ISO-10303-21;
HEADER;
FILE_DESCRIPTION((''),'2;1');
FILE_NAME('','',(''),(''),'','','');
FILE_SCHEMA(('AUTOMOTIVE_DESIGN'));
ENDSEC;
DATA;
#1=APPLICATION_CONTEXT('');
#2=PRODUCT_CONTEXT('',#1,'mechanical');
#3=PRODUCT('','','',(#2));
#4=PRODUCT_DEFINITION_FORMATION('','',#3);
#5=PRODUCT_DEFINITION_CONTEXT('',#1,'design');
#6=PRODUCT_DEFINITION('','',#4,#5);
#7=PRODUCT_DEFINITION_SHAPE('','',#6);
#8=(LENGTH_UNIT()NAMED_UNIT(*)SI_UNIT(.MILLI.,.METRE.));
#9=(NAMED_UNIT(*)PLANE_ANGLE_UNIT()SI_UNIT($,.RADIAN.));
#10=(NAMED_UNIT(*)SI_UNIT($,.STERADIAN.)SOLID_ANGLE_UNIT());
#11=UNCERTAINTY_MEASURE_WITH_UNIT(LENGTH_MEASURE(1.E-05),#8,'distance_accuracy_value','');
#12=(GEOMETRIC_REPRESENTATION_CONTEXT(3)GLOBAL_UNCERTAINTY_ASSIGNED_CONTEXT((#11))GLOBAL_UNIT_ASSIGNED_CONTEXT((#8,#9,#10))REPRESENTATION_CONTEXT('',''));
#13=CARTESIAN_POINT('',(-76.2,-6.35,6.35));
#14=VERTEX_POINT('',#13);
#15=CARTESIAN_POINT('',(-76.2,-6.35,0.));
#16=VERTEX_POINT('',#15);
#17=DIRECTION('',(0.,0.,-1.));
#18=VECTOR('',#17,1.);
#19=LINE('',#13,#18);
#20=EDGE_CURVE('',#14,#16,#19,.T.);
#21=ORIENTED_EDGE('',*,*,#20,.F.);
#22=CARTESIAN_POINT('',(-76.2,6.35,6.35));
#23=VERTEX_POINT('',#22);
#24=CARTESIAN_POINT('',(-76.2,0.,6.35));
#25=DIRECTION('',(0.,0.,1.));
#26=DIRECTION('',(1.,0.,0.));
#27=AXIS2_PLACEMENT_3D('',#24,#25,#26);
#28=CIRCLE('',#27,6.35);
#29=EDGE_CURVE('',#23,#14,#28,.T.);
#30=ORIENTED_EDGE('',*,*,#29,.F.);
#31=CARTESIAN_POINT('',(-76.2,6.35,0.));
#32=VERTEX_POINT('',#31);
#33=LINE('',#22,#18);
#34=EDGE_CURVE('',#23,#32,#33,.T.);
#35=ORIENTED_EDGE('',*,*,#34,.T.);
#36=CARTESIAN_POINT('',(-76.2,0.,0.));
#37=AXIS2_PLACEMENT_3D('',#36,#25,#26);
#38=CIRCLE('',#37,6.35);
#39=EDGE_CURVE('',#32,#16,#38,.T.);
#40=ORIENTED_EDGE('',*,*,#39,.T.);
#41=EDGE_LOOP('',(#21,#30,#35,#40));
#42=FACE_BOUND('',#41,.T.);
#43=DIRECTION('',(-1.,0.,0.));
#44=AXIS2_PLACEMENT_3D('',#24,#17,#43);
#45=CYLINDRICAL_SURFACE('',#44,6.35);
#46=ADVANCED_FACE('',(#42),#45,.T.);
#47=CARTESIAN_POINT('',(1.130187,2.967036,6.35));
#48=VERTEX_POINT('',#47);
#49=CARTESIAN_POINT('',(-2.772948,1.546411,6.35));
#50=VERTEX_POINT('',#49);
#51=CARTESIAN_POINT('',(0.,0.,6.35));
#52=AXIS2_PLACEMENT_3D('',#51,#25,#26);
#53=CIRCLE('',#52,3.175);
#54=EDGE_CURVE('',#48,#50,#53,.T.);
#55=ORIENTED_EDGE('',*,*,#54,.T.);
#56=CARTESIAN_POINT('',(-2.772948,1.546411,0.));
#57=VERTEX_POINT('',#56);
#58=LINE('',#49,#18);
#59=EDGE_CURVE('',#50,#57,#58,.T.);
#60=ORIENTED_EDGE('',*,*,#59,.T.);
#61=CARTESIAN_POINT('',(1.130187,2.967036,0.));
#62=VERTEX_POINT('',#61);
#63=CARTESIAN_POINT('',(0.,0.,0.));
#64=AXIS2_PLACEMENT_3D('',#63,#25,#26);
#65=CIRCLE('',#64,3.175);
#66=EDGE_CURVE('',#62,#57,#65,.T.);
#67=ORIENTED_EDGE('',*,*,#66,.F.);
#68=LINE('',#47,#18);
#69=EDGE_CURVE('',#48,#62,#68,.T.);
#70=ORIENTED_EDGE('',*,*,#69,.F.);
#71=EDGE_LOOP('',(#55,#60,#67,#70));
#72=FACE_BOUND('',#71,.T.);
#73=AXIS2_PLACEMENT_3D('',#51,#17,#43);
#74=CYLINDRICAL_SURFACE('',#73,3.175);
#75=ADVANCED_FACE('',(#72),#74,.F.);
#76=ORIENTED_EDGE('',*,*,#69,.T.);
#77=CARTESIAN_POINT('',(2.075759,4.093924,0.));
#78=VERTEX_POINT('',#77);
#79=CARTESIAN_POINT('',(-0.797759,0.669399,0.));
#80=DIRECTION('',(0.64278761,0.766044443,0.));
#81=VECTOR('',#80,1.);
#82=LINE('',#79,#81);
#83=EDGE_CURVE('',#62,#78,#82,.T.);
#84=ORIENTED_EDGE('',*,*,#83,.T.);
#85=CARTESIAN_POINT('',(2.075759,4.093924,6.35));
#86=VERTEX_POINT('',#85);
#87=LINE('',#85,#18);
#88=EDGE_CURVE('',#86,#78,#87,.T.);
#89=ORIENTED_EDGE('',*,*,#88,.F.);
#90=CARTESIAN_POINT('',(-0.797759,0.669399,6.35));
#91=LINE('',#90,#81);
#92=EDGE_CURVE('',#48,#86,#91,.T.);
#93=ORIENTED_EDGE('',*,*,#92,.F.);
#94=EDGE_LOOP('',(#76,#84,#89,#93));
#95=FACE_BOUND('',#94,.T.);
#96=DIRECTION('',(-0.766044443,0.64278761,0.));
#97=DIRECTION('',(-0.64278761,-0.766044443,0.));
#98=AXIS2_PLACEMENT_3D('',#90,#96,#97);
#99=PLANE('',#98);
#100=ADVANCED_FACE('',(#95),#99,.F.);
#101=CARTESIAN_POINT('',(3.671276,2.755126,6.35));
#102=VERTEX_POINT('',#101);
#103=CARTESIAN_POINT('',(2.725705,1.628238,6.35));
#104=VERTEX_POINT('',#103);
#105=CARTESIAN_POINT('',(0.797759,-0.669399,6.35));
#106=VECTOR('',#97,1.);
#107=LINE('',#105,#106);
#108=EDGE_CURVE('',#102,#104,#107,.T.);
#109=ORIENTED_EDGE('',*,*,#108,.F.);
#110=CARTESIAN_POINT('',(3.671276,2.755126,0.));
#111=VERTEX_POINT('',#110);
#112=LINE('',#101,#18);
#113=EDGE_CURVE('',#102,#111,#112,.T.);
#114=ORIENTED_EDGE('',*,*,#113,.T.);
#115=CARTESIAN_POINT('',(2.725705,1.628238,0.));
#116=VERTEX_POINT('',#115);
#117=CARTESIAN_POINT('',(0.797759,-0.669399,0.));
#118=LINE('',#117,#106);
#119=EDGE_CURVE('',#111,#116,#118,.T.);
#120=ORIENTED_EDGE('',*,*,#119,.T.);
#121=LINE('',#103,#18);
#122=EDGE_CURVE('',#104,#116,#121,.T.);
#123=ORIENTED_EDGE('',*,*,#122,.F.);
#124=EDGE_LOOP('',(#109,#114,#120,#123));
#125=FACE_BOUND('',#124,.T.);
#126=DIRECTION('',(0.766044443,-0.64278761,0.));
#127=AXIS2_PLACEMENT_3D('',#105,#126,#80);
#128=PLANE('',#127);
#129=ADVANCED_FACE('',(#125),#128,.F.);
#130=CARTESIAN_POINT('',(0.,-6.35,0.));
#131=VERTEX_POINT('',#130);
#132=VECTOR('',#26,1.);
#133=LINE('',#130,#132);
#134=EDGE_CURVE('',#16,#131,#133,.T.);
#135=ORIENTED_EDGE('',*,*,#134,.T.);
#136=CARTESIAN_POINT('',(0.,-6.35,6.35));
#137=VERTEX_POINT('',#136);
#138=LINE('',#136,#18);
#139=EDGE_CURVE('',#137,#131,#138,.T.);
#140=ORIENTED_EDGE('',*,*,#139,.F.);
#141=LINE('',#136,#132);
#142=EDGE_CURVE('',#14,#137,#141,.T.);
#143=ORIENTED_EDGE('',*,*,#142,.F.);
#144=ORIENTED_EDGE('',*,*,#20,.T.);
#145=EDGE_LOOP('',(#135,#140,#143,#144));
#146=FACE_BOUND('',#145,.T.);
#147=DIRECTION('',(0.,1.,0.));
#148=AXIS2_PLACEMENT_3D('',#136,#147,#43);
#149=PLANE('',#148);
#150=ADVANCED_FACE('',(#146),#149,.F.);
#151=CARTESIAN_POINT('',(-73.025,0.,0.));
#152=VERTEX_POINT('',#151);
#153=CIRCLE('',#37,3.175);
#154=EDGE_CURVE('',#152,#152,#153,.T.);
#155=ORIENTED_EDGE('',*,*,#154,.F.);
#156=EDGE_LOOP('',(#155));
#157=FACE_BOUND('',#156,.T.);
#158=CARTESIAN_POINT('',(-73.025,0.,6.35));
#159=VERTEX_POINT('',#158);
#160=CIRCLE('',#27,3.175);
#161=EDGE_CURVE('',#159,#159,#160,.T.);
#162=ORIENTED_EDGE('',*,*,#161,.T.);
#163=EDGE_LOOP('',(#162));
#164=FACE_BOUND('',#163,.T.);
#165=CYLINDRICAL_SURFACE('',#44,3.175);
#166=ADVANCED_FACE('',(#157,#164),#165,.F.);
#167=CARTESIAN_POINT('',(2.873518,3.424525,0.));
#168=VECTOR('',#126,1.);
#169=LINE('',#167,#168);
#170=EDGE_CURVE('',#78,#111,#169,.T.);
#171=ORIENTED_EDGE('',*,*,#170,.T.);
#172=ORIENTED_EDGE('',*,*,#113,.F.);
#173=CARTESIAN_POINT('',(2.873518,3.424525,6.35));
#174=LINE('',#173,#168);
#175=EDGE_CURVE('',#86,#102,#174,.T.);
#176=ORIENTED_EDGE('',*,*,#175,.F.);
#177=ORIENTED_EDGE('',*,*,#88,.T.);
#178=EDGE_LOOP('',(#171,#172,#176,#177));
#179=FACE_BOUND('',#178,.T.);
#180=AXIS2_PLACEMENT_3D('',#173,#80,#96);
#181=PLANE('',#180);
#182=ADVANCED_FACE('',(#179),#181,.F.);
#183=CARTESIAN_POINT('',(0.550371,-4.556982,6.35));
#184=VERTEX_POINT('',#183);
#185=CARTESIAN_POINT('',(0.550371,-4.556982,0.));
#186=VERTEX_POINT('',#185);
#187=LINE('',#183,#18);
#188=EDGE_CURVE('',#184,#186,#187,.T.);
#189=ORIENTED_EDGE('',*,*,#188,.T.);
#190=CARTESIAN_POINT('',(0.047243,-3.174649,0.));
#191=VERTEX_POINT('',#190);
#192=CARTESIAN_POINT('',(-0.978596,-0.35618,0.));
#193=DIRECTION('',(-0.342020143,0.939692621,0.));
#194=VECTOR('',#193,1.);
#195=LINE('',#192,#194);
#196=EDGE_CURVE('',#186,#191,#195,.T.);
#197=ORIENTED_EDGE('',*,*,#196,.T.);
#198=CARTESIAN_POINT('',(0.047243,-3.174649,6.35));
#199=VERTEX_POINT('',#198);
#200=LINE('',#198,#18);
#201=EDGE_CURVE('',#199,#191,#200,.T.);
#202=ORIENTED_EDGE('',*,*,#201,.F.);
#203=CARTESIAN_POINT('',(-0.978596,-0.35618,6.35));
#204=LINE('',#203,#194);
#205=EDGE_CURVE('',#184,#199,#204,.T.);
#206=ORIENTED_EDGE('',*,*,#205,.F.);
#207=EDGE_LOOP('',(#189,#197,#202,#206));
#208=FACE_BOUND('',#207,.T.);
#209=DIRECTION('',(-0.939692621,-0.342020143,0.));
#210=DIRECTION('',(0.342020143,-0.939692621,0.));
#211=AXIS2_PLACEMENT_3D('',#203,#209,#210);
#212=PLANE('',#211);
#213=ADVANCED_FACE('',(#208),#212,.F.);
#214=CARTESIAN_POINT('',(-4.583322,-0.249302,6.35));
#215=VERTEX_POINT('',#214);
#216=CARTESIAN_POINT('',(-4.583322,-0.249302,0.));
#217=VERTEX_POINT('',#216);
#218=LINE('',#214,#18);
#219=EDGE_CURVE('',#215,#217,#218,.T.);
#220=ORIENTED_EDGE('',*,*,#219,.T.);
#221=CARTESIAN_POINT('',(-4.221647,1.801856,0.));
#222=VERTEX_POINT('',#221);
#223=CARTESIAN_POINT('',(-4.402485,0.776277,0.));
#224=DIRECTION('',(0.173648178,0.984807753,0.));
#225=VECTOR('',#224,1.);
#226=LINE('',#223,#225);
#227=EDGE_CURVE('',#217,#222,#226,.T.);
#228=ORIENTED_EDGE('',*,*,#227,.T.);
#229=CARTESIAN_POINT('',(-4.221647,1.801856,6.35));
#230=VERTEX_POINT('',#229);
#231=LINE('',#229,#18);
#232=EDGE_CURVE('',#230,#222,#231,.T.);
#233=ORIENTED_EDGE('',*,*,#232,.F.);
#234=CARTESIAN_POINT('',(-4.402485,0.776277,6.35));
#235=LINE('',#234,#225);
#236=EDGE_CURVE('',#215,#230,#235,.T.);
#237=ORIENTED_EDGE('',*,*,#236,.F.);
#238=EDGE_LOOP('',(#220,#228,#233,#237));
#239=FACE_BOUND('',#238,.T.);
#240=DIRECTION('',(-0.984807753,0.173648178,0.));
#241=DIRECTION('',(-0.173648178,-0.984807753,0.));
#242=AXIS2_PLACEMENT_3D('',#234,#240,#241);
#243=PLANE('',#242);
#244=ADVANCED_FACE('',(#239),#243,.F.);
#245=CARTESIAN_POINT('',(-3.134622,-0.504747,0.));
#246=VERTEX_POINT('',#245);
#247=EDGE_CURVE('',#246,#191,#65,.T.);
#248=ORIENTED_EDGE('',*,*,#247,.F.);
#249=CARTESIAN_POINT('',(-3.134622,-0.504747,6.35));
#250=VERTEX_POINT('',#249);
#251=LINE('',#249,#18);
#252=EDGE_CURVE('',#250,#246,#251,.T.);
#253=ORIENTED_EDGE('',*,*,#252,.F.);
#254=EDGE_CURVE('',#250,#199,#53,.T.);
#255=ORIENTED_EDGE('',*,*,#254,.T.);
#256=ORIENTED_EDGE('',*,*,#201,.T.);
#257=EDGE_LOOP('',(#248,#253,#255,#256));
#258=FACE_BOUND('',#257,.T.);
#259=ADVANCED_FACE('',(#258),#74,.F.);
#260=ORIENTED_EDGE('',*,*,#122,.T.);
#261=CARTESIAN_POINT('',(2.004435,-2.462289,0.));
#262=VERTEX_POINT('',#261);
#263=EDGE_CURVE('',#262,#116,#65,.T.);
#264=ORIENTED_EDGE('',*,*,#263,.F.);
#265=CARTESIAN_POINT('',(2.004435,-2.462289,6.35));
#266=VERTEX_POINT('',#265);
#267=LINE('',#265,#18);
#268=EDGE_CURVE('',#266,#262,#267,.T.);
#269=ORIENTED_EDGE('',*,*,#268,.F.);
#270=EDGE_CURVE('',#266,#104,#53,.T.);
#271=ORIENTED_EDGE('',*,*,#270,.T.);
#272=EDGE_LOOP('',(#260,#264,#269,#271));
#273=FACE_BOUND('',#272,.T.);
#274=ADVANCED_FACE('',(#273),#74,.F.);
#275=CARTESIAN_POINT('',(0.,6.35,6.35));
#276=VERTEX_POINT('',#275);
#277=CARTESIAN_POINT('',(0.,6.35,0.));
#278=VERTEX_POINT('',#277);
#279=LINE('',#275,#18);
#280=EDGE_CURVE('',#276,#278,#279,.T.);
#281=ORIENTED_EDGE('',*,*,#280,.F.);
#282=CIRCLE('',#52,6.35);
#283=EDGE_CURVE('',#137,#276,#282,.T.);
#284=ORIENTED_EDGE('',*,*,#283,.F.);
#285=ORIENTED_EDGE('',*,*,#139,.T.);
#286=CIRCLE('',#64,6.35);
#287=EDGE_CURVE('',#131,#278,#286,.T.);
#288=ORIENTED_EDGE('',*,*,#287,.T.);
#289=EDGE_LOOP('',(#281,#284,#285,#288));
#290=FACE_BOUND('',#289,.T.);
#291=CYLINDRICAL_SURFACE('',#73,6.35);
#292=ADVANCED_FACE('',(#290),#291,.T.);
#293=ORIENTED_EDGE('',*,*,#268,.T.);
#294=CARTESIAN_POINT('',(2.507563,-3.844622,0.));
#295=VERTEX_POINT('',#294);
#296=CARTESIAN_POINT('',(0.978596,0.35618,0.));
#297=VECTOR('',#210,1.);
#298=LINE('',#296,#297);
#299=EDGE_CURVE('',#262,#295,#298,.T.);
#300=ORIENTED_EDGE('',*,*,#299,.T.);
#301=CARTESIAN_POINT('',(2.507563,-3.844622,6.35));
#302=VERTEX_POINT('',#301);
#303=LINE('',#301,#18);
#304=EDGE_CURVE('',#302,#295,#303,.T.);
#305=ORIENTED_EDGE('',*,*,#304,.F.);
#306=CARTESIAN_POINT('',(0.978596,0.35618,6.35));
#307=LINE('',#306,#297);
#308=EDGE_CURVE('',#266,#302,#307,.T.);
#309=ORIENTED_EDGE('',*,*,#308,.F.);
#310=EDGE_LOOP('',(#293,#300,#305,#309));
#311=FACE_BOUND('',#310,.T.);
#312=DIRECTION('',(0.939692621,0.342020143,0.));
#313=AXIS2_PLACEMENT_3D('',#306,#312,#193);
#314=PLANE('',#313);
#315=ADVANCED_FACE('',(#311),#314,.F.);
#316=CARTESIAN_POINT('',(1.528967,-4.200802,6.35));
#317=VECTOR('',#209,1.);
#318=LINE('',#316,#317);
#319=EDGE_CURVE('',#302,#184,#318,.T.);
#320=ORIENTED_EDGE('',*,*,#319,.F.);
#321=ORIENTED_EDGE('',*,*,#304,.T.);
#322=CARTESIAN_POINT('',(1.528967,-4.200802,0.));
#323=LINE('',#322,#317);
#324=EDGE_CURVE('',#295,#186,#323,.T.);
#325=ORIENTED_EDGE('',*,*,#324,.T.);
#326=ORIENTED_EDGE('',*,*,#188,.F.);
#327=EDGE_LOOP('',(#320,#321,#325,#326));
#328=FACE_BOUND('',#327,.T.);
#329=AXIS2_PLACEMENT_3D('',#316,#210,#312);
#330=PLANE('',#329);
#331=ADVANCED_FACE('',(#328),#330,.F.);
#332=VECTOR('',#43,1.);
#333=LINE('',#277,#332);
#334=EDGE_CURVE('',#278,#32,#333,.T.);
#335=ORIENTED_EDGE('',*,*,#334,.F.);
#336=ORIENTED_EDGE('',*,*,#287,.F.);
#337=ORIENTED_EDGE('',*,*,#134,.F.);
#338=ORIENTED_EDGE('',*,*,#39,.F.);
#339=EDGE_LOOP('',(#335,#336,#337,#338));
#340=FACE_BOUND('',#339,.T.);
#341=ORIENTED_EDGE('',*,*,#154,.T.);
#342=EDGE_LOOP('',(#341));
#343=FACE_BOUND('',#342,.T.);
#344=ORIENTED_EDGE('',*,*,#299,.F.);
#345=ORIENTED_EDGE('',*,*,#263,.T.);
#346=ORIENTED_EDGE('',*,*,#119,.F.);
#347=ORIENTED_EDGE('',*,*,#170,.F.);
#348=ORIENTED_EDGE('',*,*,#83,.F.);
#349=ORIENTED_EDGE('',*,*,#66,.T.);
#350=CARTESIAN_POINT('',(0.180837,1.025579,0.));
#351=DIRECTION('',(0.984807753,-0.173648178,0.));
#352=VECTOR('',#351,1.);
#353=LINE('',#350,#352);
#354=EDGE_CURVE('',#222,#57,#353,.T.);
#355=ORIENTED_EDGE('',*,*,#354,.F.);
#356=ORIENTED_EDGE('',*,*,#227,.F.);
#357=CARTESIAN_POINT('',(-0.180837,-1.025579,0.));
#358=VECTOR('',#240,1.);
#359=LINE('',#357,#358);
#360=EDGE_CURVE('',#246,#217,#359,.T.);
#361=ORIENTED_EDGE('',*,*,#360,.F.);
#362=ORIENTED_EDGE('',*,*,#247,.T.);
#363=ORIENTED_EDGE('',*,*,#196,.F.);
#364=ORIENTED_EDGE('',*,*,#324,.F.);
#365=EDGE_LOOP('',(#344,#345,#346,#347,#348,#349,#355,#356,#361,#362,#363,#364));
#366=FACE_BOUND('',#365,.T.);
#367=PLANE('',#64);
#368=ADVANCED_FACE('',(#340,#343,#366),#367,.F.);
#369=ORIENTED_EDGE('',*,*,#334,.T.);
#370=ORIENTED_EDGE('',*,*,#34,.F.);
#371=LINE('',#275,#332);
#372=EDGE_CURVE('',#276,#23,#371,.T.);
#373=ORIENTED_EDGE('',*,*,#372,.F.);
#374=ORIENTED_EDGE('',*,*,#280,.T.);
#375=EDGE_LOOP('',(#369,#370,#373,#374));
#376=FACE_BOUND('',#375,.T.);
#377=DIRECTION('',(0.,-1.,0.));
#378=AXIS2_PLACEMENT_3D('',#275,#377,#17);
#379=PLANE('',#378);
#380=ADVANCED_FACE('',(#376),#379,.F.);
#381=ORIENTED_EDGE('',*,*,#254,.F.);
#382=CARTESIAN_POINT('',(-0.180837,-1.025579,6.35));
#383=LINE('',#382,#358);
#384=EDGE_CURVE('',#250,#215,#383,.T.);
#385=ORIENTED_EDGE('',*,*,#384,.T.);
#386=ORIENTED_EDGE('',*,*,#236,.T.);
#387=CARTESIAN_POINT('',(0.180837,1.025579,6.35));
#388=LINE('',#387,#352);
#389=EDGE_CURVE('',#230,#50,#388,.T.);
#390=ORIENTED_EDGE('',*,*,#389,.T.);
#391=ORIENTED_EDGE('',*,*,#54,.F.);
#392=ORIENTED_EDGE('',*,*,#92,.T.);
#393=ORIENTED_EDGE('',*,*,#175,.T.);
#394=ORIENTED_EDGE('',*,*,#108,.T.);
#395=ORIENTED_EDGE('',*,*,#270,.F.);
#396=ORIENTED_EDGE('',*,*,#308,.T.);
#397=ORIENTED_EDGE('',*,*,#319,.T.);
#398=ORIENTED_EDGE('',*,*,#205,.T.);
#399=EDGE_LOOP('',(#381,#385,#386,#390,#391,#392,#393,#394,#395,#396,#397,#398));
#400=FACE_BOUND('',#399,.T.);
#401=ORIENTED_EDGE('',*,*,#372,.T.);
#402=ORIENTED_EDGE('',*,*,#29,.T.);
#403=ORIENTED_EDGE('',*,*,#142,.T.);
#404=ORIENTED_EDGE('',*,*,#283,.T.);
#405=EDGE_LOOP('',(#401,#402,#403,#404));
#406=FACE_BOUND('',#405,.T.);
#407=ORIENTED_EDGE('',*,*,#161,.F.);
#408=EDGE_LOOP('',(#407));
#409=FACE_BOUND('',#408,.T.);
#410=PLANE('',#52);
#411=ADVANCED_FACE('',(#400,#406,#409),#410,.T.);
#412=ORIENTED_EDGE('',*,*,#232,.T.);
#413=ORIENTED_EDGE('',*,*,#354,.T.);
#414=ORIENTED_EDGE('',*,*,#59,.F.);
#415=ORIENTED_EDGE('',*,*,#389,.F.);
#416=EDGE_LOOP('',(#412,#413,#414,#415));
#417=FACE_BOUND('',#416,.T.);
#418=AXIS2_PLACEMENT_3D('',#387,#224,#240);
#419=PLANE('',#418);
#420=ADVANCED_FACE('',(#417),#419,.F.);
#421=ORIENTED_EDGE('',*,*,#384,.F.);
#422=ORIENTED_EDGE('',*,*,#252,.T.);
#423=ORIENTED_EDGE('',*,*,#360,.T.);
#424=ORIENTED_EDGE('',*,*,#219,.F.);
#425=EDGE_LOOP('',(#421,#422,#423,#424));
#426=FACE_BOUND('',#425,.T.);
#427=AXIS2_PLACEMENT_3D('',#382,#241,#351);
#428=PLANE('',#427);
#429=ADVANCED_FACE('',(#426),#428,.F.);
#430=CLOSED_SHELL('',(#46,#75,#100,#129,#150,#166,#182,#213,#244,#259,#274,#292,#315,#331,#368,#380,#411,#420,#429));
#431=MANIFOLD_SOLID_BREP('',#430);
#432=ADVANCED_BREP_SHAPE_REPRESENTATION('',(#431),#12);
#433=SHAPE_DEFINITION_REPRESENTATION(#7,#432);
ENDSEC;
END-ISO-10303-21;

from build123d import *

# Parameters (mm, degrees)
SKETCH1_R        = 3.175
EXTRUSION1_DEPTH = 6.35


with BuildPart() as part:
    # Sketch1 → Extrusion1 (new body)
    with BuildSketch(Plane.XY):
        with BuildLine():
            Line((-76.2, -6.35), (0, -6.35))
            ThreePointArc((0, -6.35), (6.35, 0), (0, 6.35))
            Line((0, 6.35), (-76.2, 6.35))
            ThreePointArc((-76.2, 6.35), (-82.55, 0), (-76.2, -6.35))
        make_face()
        with Locations((-76.2, 0)):
            Circle(SKETCH1_R, mode=Mode.SUBTRACT)
        with BuildLine():
            ThreePointArc((2.004434618, -2.462288948), (3.126764616, -0.551332964), (2.725704838, 1.62823774))
            Line((2.725704838, 1.62823774), (3.671276413, 2.755126062))
            Line((3.671276413, 2.755126062), (2.87351773, 3.424525079))
            Line((2.87351773, 3.424525079), (2.075759047, 4.093924095))
            Line((2.075759047, 4.093924095), (1.130187472, 2.967035773))
            ThreePointArc((1.130187472, 2.967035773), (-1.085913955, 2.983524071), (-2.772947665, 1.546410763))
            Line((-2.772947665, 1.546410763), (-4.221647367, 1.801855607))
            Line((-4.221647367, 1.801855607), (-4.402484579, 0.776276813))
            Line((-4.402484579, 0.776276813), (-4.583321791, -0.249301981))
            Line((-4.583321791, -0.249301981), (-3.134622089, -0.504746825))
            ThreePointArc((-3.134622089, -0.504746825), (-2.040850661, -2.432191107), (0.047242827, -3.174648503))
            Line((0.047242827, -3.174648503), (0.550370953, -4.556981669))
            Line((0.550370953, -4.556981669), (1.528966849, -4.200801892))
            Line((1.528966849, -4.200801892), (2.507562744, -3.844622115))
            Line((2.507562744, -3.844622115), (2.004434618, -2.462288948))
        make_face(mode=Mode.SUBTRACT)
    extrude(amount=EXTRUSION1_DEPTH)


solid = part.part
